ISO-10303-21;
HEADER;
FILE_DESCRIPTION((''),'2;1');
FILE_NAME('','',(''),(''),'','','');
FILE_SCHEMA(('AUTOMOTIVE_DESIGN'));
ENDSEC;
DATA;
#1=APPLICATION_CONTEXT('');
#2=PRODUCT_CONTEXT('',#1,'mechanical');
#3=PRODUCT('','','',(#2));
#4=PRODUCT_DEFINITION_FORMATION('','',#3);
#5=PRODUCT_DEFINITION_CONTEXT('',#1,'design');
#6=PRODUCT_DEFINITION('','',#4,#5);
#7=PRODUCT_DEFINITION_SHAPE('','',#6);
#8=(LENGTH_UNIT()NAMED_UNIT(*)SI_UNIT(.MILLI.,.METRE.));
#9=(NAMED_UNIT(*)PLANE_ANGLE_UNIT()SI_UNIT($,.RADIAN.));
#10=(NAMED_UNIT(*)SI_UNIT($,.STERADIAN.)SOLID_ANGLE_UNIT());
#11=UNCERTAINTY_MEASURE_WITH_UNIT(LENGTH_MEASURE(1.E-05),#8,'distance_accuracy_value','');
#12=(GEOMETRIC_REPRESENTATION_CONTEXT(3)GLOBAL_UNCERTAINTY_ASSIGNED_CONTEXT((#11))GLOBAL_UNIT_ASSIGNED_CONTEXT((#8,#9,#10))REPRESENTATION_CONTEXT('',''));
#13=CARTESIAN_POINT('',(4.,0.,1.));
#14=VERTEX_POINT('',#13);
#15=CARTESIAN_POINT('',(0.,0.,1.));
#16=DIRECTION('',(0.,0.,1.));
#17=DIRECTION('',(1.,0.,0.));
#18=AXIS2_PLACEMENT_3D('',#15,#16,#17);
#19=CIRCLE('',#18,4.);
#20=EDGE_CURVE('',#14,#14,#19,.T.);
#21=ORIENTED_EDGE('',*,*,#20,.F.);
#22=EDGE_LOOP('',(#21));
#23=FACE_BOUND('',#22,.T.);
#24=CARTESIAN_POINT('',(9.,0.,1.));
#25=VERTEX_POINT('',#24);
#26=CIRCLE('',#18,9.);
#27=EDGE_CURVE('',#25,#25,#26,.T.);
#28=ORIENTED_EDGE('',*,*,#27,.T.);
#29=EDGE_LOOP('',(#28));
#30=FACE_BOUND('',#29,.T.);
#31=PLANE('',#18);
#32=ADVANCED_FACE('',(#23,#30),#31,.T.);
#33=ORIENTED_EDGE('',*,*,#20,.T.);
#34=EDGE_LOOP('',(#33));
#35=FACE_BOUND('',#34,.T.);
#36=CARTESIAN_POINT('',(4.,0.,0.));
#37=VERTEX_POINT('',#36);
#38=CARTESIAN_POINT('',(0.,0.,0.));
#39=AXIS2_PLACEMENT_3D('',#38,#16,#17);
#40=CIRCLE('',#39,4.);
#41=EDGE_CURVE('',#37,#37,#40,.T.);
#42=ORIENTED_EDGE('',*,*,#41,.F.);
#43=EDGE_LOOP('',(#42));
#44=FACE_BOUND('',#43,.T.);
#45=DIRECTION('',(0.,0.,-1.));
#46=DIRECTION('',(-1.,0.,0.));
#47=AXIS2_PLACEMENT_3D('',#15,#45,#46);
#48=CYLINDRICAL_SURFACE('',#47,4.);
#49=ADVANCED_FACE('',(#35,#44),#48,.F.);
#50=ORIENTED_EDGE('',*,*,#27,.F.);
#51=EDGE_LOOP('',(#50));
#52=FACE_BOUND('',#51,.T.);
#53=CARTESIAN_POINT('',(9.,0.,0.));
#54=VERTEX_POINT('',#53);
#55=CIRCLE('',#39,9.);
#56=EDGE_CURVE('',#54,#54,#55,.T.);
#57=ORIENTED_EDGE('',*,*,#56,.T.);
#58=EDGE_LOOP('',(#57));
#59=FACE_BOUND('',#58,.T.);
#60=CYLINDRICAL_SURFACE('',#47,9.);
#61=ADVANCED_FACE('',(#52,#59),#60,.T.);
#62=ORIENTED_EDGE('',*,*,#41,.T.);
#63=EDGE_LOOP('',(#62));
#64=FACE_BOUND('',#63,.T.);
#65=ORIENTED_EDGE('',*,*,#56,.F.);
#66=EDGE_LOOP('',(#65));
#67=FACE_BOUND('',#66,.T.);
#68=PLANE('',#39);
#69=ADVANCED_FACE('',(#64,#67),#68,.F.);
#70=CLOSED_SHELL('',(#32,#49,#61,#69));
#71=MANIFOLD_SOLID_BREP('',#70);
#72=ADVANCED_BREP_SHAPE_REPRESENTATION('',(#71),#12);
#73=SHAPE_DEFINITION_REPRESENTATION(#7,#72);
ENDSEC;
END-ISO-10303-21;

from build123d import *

# Parameters (mm, degrees)
CROQUIS1_R              = 9
CROQUIS1_R_2            = 4
SALIENTE_EXTRUIR1_DEPTH = 1


with BuildPart() as part:
    # Croquis1 → Saliente-Extruir1 (new body)
    with BuildSketch(Plane.XY):
        Circle(CROQUIS1_R)
        Circle(CROQUIS1_R_2, mode=Mode.SUBTRACT)
    extrude(amount=SALIENTE_EXTRUIR1_DEPTH)


solid = part.part
